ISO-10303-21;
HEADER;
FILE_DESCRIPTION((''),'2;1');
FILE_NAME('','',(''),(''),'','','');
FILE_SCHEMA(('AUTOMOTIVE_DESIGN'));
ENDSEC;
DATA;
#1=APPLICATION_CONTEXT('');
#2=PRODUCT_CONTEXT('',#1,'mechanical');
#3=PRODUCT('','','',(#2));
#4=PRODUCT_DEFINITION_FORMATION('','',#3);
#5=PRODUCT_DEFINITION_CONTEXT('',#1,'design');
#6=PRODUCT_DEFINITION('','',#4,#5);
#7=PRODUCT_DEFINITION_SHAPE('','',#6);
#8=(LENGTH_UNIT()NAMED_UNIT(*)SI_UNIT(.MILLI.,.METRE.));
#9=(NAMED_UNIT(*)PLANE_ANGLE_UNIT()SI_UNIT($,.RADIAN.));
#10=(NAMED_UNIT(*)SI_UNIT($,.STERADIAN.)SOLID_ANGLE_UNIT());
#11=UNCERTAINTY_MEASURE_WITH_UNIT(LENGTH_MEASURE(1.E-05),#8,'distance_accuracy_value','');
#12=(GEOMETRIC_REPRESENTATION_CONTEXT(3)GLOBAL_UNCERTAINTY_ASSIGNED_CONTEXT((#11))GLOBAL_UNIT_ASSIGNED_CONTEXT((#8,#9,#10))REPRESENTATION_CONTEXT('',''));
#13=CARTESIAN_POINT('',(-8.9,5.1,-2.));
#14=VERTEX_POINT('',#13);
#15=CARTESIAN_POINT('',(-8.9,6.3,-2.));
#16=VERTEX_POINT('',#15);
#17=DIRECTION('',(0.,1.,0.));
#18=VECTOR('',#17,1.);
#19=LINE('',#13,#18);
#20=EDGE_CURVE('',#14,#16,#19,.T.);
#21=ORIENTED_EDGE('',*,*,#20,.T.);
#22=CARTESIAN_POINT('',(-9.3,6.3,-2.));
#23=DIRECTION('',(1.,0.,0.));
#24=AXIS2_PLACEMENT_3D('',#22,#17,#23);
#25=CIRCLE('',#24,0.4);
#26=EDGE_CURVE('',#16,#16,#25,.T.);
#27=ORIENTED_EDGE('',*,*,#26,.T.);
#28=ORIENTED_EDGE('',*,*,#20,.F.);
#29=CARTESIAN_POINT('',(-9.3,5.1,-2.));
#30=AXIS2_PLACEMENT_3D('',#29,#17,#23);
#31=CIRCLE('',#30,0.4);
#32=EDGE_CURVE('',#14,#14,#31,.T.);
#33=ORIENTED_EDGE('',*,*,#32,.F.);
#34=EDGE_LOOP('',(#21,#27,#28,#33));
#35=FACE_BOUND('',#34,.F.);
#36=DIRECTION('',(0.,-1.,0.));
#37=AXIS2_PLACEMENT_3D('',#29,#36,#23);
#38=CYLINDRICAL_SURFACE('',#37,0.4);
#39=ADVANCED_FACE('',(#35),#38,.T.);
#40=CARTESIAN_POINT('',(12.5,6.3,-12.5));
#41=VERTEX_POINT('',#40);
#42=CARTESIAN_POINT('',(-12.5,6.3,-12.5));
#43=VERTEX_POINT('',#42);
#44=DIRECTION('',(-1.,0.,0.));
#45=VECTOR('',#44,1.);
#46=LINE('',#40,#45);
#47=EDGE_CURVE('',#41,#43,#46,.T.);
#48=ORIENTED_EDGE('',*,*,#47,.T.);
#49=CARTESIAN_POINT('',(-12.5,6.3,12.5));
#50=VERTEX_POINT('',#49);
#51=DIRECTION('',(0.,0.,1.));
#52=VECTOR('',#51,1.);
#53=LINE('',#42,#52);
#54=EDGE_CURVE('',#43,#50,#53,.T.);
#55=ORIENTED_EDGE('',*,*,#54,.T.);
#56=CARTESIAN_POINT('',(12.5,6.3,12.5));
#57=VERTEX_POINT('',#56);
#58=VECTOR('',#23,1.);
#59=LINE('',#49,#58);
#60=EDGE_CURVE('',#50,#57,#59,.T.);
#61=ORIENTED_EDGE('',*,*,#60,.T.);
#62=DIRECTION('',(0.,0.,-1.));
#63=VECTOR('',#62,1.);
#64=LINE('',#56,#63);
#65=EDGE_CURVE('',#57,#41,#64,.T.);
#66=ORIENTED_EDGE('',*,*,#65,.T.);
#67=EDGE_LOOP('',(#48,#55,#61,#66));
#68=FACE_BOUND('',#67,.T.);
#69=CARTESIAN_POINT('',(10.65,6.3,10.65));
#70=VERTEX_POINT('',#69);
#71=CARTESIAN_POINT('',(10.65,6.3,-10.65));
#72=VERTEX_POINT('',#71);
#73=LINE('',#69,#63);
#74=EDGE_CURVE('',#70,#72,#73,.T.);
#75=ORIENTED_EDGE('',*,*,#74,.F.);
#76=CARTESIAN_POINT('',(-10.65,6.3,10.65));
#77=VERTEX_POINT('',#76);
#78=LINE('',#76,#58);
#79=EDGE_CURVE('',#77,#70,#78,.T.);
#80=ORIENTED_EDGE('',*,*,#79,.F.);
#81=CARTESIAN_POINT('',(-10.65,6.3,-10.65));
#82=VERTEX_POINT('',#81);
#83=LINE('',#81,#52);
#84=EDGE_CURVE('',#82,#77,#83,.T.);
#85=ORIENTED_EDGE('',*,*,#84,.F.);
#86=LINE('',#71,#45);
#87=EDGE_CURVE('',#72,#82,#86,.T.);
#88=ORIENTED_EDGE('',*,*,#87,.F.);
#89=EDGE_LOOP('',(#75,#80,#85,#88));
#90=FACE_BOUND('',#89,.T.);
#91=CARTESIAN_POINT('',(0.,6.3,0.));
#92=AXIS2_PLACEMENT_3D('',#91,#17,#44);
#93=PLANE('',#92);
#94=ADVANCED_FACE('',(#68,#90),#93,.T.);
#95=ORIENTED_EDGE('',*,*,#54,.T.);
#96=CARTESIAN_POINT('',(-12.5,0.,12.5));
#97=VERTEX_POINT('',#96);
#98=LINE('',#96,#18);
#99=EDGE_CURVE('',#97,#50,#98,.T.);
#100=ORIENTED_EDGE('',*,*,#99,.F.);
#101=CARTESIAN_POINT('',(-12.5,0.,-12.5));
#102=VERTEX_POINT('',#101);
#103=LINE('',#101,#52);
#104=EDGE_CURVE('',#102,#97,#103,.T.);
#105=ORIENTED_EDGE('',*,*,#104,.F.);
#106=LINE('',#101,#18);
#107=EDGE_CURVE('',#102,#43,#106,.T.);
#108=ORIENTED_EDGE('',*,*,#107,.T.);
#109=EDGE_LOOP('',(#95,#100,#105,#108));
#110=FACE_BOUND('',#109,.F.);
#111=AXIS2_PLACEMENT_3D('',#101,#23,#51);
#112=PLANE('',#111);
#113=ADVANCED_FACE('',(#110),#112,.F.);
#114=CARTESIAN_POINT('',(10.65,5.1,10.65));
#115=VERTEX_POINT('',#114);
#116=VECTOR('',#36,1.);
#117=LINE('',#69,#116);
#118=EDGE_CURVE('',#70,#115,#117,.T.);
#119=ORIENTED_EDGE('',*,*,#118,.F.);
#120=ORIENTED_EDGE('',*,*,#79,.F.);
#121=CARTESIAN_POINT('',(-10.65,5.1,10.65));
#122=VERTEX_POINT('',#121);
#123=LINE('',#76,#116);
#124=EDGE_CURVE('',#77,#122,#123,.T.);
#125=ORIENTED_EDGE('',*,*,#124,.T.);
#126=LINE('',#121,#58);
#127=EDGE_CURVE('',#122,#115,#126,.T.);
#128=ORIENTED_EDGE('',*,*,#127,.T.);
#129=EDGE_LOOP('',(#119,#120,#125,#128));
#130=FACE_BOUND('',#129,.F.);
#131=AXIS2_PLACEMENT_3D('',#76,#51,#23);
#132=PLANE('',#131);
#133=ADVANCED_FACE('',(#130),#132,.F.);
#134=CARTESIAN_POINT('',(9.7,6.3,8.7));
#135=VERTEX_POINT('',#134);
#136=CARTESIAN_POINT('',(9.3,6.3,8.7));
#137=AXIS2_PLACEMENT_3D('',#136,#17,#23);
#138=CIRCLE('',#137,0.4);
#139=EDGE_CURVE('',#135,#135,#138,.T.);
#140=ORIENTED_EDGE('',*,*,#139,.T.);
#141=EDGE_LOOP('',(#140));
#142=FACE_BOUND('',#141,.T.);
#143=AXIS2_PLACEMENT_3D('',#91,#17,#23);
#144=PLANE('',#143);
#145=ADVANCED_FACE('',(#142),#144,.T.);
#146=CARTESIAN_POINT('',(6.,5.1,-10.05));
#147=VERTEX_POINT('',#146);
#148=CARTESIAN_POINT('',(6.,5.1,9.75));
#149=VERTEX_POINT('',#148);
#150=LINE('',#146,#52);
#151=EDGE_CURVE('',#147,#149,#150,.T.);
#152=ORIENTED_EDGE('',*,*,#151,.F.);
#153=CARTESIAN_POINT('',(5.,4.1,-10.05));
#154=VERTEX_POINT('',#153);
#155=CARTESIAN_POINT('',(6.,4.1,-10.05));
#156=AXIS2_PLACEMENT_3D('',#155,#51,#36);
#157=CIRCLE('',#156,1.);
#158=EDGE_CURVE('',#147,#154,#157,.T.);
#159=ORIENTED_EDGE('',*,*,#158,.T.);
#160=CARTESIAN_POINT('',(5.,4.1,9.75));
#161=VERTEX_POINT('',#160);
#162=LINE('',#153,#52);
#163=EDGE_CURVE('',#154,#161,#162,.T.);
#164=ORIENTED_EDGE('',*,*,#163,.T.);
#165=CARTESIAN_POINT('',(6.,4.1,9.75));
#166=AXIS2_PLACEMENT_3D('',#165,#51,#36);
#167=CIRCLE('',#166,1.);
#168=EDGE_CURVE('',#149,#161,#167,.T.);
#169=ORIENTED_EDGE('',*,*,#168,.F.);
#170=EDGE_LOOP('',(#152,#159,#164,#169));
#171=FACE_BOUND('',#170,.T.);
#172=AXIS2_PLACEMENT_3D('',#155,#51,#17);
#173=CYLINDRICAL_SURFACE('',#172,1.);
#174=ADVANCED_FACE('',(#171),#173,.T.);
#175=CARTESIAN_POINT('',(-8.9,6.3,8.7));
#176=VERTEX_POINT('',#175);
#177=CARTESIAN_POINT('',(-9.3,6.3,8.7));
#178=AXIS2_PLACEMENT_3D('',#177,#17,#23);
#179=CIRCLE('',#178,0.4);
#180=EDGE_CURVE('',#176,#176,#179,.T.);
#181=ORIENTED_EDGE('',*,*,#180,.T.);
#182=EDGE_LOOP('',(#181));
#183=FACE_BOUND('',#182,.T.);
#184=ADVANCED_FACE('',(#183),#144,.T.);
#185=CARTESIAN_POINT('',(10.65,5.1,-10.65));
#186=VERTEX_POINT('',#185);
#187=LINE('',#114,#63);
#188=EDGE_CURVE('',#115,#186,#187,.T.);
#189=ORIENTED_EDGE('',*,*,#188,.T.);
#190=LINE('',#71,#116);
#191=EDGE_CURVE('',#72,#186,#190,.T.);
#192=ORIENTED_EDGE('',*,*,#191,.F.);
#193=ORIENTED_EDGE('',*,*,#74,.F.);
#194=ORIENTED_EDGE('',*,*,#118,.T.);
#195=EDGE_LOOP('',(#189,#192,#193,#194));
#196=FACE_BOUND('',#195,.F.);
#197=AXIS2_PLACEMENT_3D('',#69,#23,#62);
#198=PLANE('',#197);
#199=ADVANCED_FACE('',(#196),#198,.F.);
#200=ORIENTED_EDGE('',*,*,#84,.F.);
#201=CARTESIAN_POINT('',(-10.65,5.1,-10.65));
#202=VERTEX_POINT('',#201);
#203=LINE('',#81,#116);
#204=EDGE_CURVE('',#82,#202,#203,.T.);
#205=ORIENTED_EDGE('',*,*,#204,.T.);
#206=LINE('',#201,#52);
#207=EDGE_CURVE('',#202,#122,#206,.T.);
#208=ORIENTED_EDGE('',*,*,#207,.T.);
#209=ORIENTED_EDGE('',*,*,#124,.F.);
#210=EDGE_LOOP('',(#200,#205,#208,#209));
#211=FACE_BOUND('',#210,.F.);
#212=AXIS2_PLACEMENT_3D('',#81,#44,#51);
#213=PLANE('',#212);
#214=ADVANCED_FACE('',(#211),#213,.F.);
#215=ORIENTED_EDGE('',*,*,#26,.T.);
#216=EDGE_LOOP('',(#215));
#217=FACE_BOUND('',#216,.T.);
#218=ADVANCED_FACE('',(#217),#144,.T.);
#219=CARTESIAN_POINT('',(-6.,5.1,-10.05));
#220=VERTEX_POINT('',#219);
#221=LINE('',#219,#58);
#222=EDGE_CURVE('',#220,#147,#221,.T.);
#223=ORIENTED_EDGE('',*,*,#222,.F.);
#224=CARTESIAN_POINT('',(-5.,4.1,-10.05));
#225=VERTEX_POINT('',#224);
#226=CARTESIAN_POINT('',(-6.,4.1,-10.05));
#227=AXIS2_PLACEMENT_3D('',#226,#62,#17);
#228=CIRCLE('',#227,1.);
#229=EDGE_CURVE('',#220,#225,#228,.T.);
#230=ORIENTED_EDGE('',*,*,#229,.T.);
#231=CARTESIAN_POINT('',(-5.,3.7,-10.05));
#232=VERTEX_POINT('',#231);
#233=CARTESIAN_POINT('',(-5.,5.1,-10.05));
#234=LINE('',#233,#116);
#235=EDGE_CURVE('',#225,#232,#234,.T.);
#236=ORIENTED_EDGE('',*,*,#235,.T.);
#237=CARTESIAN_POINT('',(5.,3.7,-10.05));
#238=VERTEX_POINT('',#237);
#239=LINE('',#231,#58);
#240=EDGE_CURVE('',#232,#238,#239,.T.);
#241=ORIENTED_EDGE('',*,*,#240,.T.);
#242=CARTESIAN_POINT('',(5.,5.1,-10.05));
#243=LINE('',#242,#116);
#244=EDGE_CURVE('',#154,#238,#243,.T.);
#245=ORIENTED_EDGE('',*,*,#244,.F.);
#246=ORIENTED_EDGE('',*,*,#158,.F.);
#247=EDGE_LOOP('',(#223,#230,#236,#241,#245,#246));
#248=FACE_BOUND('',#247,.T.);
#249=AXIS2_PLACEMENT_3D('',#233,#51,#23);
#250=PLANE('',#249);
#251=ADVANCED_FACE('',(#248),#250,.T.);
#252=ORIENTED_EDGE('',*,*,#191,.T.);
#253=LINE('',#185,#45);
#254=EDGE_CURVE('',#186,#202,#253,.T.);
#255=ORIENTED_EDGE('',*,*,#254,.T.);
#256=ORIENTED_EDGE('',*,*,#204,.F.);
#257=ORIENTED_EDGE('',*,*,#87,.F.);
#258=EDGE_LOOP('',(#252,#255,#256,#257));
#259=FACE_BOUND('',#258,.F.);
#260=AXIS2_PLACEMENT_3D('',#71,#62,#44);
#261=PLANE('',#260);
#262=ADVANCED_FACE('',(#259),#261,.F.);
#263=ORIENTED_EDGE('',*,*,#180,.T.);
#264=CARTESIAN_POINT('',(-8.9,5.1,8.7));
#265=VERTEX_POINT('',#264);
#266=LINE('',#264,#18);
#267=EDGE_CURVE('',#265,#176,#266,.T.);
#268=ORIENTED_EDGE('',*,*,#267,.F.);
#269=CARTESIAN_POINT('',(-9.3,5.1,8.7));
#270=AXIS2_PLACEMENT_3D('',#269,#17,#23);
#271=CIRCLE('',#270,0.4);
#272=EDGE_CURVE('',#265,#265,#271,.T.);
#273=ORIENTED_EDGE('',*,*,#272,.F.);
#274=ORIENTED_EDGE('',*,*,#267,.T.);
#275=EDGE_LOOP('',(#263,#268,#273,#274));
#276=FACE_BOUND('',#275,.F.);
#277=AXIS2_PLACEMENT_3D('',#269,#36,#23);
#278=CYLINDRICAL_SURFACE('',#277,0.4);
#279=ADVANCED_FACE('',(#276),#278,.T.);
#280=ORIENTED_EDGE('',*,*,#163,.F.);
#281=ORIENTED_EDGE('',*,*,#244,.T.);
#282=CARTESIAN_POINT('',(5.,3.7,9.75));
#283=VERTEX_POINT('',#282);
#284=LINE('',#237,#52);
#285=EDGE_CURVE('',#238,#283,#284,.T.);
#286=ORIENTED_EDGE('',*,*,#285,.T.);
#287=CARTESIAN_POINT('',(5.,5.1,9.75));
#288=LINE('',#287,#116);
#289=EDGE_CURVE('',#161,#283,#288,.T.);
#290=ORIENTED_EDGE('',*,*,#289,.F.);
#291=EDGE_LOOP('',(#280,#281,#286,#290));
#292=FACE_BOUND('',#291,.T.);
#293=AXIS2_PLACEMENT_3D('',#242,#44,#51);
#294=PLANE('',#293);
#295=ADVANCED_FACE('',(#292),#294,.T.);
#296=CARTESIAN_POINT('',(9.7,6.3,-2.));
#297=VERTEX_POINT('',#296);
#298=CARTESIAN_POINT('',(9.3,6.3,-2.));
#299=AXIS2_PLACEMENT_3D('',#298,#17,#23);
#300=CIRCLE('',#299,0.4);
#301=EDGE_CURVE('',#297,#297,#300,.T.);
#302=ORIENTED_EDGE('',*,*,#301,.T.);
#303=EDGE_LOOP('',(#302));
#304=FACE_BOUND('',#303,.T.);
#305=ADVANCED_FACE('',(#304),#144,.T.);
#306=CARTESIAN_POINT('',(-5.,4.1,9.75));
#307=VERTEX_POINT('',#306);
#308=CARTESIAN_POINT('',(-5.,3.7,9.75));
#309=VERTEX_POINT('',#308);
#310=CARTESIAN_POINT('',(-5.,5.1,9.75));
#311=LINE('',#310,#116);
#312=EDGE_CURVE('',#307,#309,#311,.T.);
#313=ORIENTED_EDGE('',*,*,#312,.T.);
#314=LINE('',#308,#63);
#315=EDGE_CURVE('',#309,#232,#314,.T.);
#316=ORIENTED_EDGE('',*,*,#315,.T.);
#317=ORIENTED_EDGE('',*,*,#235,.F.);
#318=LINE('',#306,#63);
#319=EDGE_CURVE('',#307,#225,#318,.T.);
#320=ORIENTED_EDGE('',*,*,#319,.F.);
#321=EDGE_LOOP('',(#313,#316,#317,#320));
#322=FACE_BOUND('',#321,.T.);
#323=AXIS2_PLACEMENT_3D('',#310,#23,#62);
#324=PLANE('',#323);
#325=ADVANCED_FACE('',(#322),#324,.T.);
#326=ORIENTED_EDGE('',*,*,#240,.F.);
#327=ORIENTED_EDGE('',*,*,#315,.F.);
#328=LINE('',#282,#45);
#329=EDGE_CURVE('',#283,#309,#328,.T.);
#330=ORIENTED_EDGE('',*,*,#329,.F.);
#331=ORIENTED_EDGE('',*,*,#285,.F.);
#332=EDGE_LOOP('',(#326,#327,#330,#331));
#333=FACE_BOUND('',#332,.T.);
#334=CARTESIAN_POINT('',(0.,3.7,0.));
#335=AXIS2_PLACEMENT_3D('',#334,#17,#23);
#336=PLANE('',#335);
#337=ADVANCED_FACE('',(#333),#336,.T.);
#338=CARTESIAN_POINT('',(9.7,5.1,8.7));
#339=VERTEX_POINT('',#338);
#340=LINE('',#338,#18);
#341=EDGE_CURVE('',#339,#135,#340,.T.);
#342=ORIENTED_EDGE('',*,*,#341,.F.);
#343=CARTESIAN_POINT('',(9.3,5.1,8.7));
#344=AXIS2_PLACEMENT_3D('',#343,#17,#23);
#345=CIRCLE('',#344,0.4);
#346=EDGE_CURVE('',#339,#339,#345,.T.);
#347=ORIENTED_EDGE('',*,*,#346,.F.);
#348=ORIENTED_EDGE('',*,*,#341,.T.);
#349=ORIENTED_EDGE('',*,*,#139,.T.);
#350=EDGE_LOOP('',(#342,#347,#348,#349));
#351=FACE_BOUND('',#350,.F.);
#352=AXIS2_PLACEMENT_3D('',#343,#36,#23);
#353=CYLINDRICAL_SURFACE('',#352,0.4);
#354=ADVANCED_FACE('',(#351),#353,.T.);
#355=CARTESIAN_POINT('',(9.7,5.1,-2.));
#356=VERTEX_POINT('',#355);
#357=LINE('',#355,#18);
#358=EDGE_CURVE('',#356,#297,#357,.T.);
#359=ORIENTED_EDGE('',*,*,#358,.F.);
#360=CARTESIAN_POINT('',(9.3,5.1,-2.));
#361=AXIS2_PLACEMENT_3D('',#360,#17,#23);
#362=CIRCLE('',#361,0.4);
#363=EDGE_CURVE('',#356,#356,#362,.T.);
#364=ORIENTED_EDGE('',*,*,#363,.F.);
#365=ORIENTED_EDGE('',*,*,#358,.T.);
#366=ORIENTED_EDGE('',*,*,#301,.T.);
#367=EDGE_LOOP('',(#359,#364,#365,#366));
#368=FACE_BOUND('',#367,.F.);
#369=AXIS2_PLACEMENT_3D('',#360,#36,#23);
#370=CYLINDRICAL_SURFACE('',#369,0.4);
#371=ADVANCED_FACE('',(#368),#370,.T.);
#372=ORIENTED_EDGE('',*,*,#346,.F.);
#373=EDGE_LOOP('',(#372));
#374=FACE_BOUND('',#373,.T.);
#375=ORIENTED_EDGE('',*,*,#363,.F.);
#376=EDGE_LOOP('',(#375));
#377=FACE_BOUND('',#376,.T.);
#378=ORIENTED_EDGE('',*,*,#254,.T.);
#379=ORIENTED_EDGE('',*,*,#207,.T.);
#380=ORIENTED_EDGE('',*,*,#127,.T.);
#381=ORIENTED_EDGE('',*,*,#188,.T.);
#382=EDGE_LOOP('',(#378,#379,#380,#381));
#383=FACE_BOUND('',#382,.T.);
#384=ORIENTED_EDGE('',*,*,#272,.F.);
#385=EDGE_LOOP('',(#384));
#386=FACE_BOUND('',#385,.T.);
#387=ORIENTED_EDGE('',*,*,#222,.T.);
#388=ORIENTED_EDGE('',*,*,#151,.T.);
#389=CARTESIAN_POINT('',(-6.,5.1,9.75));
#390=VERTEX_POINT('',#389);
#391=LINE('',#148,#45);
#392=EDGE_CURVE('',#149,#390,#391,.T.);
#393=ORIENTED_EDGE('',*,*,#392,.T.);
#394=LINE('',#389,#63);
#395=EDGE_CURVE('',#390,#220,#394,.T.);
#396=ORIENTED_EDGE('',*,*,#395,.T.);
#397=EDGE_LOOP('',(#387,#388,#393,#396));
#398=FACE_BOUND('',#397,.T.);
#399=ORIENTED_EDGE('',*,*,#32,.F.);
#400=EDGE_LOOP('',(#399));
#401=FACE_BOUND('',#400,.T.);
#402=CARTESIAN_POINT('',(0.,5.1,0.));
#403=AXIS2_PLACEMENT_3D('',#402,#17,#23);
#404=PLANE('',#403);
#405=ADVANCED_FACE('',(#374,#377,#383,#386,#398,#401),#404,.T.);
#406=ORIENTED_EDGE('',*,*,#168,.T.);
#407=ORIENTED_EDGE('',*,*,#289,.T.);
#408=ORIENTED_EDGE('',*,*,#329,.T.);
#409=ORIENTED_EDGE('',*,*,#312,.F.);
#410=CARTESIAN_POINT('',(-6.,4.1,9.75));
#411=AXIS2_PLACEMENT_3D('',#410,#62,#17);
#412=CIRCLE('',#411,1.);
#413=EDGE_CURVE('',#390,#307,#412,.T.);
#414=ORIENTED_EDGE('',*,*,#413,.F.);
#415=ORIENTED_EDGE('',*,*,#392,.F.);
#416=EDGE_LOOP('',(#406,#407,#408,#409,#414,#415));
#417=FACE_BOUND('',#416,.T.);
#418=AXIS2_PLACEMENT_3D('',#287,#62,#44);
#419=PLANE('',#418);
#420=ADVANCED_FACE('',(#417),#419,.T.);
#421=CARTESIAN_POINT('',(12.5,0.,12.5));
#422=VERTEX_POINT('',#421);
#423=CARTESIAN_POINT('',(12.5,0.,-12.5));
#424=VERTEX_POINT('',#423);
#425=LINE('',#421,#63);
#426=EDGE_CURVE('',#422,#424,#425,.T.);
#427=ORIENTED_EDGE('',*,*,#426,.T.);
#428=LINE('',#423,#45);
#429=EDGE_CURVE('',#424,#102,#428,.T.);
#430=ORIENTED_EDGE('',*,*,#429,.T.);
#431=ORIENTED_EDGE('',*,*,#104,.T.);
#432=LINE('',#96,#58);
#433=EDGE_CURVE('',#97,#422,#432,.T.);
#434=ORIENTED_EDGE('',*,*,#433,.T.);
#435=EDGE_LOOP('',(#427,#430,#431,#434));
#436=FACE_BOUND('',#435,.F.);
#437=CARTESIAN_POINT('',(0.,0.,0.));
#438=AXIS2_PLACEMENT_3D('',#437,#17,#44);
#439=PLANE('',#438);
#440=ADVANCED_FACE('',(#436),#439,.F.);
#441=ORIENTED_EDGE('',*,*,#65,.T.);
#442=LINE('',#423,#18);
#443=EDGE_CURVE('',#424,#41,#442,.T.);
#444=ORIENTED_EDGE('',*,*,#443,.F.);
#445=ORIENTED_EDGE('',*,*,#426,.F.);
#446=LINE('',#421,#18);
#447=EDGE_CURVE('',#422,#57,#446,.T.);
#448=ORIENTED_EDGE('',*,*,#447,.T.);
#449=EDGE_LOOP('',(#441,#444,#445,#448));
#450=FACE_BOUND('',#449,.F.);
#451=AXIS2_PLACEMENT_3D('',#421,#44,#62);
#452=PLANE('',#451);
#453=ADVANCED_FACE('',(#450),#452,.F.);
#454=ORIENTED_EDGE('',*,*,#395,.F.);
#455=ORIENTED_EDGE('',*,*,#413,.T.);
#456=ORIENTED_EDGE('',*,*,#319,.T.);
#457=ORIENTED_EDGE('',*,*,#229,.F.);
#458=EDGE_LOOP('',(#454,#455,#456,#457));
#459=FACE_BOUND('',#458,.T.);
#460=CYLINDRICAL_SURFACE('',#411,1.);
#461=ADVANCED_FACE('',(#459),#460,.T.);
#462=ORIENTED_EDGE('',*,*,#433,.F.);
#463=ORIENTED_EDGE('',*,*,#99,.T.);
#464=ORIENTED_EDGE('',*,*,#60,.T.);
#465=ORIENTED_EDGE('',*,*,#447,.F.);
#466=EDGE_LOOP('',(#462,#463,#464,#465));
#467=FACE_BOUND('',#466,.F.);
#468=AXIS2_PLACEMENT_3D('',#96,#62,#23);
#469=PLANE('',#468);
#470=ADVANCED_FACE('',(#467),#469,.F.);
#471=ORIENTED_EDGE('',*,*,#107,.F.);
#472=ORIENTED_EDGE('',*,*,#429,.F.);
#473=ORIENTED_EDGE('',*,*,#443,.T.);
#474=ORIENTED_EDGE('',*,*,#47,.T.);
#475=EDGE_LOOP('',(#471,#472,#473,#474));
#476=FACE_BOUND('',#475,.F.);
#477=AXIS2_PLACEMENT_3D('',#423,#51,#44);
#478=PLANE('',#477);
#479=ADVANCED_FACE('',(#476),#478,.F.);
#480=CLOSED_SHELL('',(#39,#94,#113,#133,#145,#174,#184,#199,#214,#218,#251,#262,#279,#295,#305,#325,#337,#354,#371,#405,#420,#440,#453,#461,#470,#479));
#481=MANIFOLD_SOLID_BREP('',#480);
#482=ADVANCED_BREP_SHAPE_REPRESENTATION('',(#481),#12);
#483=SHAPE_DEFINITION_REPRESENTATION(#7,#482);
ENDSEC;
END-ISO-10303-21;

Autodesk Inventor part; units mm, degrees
ref_plane "YZ Plane" through (0, 0, 0) normal (1, 0, 0) x (0, 1, 0)
ref_plane "XZ Plane" through (0, 0, 0) normal (0, 1, 0) x (-1, 0, 0)
ref_plane "XY Plane" through (0, 0, 0) normal (0, 0, 1) x (1, 0, 0)
sketch "Эскиз1" plane through (0, 0, 0) normal (0, 1, 0) x (-1, 0, 0)
  line L0 (12.5, 12.5) -> (-12.5, 12.5)
  line L1 (-12.5, 12.5) -> (-12.5, -12.5)
  line L2 (-12.5, -12.5) -> (12.5, -12.5)
  line L3 (12.5, -12.5) -> (12.5, 12.5)
  line L4 (12.5, 12.5) -> (-12.5, -12.5) construction
  point P0 (0, 0)
  point P1 (0, 0)
  dimension "d0" = 25
  dimension "d1" = 25
extrude "Выдавливание1" add sketch "Эскиз1" along normal blind 6.3
sketch "Эскиз2" plane through (0, 6.3, 0) normal (0, 1, 0) x (1, 0, 0)
  line L0 (-10.65, -10.65) -> (10.65, -10.65)
  line L1 (10.65, -10.65) -> (10.65, 10.65)
  line L2 (10.65, 10.65) -> (-10.65, 10.65)
  line L3 (-10.65, 10.65) -> (-10.65, -10.65)
  line L4 (-10.65, -10.65) -> (10.65, 10.65) construction
  line L5 (10.65, -10.65) -> (-10.65, 10.65) construction
  line L6 (-12.5, 12.5) -> (-12.5, -12.5) projected
  point P0 (0, 0)
  dimension "d4" = 1.85
extrude "Выдавливание2" cut sketch "Эскиз2" against normal blind 1.2
sketch "Эскиз3" plane through (0, 5.1, 0) normal (0, 1, 0) x (1, 0, 0)
  line L0 (5, -9.75) -> (-5, -9.75)
  line L1 (-5, -9.75) -> (-5, 10.05)
  line L2 (-5, 10.05) -> (5, 10.05)
  line L3 (5, 10.05) -> (5, -9.75)
  line L4 (10.65, -10.65) -> (-10.65, -10.65) projected
  line L5 (0, -10.65) -> (0, 6.083) construction
  point P0 (0, 0)
  point P1 (0, -9.75)
  dimension "d7" = 10
  dimension "d8" = 19.8
  dimension "d9" = 0.9
extrude "Выдавливание3" cut sketch "Эскиз3" against normal blind 1.4
fillet "Сопряжение1" radius 1 2 edges at (-5, 5.1, -0.15) (5, 5.1, -0.15)
sketch "Эскиз6" plane through (0, 5.1, 0) normal (0, 1, 0) x (1, 0, 0)
  circle A0 centre (-9.3, 2) radius 0.4
  line L0 (-10.65, -10.65) -> (-10.65, 10.65) projected
  line L1 (-10.65, 10.65) -> (10.65, 10.65) projected
  circle A1 centre (-9.3, -8.7) radius 0.4
  line L2 (10.65, -10.65) -> (-10.65, -10.65) projected
  line L3 (0, -15.7072) -> (0, 17.6357) construction
  circle A2 centre (9.3, 2) radius 0.4
  circle A3 centre (9.3, -8.7) radius 0.4
  point P0 (0, 0)
  dimension "d21" = 0.8
  dimension "d22" = 1.35
  dimension "d23" = 8.65
  dimension "d24" = 0.8
  dimension "d25" = 1.35
  dimension "d26" = 1.55
extrude "Выдавливание6" add sketch "Эскиз6" along normal blind 1.2
sketch "Эскиз7" plane through (0, 3.7, 0) normal (0, 1, 0) x (1, 0, 0)
  circle A0 centre (0, -3.8434) radius 4
  point P0 (0, 0)
  dimension "d29" = 8
properties part number "Camera"
